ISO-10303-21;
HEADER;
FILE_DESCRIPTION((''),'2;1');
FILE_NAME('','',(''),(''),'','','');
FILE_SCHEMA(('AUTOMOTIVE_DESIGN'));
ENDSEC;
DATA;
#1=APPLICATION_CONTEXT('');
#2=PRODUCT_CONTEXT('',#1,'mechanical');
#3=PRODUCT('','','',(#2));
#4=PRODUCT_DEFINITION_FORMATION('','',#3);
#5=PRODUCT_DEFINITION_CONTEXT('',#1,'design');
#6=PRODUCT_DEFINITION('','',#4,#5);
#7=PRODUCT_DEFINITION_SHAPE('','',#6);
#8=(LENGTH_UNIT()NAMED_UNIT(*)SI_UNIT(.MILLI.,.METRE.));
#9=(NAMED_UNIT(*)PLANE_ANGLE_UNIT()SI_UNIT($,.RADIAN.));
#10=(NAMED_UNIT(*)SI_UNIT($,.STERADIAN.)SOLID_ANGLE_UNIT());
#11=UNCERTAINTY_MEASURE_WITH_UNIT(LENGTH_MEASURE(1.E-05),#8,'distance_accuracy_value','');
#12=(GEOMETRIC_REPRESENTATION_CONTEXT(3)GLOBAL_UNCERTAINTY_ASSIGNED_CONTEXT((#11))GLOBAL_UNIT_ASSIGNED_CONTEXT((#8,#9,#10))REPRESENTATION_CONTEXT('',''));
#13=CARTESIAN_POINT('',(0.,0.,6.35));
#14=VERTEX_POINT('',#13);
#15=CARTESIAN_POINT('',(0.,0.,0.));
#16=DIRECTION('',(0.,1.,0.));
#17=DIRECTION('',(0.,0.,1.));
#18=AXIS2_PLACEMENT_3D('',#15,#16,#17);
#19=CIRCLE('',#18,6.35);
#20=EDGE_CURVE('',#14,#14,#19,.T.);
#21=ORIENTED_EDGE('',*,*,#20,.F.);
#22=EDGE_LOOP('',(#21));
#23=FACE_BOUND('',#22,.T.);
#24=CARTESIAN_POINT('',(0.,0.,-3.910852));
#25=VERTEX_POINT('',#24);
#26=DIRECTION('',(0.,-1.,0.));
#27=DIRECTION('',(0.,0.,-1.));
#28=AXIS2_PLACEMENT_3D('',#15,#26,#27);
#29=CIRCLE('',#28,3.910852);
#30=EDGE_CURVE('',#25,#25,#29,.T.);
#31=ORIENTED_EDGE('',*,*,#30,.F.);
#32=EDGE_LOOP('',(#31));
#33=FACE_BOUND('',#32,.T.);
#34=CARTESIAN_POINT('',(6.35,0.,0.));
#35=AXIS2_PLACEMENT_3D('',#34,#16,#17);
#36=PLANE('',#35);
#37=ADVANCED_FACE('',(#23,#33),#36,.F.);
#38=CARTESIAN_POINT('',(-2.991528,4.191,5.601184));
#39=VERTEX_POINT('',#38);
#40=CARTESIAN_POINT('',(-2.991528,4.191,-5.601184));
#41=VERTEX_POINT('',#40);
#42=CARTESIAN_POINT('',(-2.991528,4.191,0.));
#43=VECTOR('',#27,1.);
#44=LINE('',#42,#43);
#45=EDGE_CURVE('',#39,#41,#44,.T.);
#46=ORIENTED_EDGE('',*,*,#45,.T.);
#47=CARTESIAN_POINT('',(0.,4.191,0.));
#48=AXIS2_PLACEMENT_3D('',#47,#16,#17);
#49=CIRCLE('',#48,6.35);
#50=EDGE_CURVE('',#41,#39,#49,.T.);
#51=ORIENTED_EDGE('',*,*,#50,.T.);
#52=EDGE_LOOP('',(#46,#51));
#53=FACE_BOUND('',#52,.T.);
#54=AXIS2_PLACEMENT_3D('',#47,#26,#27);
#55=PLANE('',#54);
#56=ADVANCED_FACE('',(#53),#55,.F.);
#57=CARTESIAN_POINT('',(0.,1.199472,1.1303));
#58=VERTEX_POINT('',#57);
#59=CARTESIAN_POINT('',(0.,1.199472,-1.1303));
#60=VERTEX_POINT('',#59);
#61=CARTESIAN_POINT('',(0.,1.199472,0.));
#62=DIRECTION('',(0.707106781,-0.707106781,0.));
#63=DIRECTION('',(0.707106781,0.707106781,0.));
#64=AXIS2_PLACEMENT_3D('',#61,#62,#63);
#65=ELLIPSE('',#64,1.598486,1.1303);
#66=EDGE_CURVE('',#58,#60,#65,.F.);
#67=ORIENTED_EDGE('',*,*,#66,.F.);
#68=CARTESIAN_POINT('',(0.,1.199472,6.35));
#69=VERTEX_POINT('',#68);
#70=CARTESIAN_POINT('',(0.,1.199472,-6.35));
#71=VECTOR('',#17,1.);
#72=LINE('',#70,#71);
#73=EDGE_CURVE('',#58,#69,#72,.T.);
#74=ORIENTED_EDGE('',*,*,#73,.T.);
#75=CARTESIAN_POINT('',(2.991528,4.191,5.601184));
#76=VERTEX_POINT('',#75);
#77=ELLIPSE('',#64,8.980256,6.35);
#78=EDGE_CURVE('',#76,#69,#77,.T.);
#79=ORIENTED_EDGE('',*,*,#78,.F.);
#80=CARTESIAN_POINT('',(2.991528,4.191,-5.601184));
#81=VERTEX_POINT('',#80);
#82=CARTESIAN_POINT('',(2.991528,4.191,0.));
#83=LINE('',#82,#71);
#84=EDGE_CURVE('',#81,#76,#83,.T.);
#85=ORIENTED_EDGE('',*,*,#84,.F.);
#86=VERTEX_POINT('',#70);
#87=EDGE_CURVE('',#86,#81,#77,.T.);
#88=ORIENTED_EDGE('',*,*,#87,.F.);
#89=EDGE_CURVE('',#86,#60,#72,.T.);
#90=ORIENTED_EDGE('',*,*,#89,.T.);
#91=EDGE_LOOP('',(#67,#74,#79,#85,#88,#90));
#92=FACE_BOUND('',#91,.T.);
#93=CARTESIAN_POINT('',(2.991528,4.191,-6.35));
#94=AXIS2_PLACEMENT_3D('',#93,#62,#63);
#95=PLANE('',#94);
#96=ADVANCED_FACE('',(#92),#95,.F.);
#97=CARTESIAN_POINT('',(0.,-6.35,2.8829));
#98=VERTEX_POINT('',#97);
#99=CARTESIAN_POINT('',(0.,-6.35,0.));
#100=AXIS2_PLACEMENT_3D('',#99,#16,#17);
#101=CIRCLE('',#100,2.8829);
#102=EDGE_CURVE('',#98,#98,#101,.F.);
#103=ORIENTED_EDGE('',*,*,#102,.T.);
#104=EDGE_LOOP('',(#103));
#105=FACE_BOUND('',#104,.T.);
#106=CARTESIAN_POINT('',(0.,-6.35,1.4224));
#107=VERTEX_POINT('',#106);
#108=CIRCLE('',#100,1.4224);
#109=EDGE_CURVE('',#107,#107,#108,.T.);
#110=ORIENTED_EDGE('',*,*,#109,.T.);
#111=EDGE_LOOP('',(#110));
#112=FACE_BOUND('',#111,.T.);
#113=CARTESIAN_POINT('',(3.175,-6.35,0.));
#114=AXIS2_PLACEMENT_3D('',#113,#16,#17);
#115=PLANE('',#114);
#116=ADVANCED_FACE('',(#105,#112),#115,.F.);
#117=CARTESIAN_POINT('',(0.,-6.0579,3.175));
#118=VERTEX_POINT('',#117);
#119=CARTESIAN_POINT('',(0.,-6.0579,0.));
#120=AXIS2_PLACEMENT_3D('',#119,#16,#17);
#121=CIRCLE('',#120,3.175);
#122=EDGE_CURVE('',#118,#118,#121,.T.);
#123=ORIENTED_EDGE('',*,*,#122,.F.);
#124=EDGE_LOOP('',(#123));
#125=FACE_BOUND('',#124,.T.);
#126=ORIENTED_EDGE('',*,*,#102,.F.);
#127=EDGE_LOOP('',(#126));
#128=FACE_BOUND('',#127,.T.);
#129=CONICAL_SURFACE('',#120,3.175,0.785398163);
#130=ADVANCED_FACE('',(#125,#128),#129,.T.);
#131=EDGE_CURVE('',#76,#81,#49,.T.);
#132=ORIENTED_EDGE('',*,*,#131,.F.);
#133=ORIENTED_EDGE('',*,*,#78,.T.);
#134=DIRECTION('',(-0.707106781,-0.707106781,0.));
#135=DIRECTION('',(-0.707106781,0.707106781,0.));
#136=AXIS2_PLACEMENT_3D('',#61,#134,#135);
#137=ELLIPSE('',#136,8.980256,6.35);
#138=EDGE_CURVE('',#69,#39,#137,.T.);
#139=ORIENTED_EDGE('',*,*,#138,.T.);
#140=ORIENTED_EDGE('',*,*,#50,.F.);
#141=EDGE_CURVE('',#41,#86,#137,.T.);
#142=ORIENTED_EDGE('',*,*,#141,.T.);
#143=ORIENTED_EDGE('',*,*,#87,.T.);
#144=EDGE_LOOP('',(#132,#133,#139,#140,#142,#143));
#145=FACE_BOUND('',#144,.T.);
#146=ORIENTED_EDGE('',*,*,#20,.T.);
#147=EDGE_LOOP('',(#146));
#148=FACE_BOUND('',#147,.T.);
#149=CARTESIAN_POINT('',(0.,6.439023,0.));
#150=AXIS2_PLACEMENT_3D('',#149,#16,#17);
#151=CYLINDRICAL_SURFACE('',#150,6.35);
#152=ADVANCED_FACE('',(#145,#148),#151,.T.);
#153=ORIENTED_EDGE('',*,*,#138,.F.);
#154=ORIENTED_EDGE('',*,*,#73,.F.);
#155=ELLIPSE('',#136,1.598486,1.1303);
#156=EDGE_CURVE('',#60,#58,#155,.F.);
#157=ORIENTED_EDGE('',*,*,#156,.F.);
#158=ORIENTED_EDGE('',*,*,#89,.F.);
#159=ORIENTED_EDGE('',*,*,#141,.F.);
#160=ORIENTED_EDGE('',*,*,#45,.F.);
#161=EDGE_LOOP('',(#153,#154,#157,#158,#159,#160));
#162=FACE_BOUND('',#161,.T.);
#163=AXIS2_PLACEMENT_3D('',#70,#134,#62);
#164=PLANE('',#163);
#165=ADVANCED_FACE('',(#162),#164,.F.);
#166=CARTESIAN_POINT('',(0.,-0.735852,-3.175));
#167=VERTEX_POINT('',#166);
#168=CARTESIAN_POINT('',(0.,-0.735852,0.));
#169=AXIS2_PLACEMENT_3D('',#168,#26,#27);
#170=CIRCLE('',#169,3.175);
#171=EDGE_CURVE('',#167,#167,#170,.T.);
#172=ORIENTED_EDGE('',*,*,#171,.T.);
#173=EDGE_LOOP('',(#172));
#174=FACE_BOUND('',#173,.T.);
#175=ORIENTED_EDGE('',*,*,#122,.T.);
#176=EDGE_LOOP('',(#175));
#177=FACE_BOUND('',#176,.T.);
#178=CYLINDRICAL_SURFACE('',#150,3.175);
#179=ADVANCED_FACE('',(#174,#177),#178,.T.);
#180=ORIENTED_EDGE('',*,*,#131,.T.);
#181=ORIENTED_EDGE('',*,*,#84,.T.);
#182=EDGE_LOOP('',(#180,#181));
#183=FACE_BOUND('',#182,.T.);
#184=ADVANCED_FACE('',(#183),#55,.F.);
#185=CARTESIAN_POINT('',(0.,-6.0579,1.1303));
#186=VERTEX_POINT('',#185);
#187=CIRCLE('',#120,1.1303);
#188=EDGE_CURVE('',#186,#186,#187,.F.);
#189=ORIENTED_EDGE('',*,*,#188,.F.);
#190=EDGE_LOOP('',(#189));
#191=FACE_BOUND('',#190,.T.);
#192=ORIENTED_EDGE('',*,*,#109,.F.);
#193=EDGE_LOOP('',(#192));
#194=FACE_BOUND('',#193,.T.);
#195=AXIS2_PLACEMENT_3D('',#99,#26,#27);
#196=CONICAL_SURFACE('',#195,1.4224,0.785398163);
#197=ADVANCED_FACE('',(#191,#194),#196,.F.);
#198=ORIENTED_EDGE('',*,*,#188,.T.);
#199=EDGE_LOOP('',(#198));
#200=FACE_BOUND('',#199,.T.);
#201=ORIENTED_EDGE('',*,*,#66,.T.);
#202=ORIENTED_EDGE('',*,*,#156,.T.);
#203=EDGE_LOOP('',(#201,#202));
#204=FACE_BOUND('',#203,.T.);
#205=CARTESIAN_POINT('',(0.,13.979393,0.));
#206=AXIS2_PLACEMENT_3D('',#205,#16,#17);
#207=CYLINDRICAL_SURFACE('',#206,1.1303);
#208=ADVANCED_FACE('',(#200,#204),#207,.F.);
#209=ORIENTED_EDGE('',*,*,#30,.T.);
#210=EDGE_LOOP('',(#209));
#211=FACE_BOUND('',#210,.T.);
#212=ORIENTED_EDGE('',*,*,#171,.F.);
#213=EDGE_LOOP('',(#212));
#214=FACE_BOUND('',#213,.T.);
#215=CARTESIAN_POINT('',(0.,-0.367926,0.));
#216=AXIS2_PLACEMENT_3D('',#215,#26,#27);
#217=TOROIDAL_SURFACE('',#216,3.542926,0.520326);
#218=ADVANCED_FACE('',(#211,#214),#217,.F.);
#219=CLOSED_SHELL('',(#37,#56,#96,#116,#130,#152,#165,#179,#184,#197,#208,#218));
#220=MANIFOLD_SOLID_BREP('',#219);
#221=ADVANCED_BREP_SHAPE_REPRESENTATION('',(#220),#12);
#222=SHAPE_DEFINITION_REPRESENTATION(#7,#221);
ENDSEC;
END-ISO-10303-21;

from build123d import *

# Parameters (mm, degrees)
CUT_EXTRUDE1_DEPTH      = 7.35
CUT_EXTRUDE1_DEPTH_BACK = 7.35
SKETCH7_W               = 1.1303
SKETCH7_H               = 10.541
CHAMFER1_SIZE           = 0.2921


with BuildPart() as part:
    # Sketch9 → Revolve1 (revolve)
    with BuildSketch(Plane.XY, mode=Mode.PRIVATE) as revolve1_sk:
        Polygon((0, 4.191), (6.35, 4.191), (6.35, 0), (3.175, 0), (3.175, -6.35), (0, -6.35), align=None)
    revolve(revolve1_sk.sketch.rotate(Axis((0, 6.439023264, 0), (0, -1, 0)), 90), axis=Axis((0, 6.439023264, 0), (0, -1, 0)))  # turned: the seam where the file's is

    # Sketch3 → Cut-Extrude1 (cut, two sides)
    with BuildSketch(Plane.XY) as cut_extrude1_sk:
        Polygon((-2.991528061, 4.191), (2.991528061, 4.191), (0, 1.199471939), align=None)
    extrude(amount=CUT_EXTRUDE1_DEPTH, mode=Mode.SUBTRACT)
    extrude(cut_extrude1_sk.sketch, amount=-CUT_EXTRUDE1_DEPTH_BACK, mode=Mode.SUBTRACT)

    # Sketch7 → Cut-Revolve1 (revolve, cut)
    with BuildSketch(Plane.XY, mode=Mode.PRIVATE) as cut_revolve1_sk:
        with Locations((0.56515, -1.0795)):
            Rectangle(SKETCH7_W, SKETCH7_H)
    revolve(cut_revolve1_sk.sketch.rotate(Axis((0, 13.979393491, 0), (0, -1, 0)), 90), axis=Axis((0, 13.979393491, 0), (0, -1, 0)), mode=Mode.SUBTRACT)  # turned: the seam where the file's is

    # Chamfer1
    chamfer1_edges = [part.edges().sort_by_distance(p)[0] for p in [
        (0, -6.35, -1.1303),
        (0, -6.35, -3.175),
    ]]
    chamfer(chamfer1_edges, length=CHAMFER1_SIZE)

    # Sketch10 → Cut-Revolve2 (revolve, cut)
    with BuildSketch(Plane.XY, mode=Mode.PRIVATE) as cut_revolve2_sk:
        with BuildLine():
            Line((3.175, -0.735852294), (3.910852294, 0))
            ThreePointArc((3.910852294, 0), (3.175, 0), (3.175, -0.735852294))
        make_face()
    revolve(cut_revolve2_sk.sketch.rotate(Axis((0, 0, 0), (0, 1, 0)), 270), axis=Axis((0, 0, 0), (0, 1, 0)), mode=Mode.SUBTRACT)  # turned: the seam where the file's is


solid = part.part
